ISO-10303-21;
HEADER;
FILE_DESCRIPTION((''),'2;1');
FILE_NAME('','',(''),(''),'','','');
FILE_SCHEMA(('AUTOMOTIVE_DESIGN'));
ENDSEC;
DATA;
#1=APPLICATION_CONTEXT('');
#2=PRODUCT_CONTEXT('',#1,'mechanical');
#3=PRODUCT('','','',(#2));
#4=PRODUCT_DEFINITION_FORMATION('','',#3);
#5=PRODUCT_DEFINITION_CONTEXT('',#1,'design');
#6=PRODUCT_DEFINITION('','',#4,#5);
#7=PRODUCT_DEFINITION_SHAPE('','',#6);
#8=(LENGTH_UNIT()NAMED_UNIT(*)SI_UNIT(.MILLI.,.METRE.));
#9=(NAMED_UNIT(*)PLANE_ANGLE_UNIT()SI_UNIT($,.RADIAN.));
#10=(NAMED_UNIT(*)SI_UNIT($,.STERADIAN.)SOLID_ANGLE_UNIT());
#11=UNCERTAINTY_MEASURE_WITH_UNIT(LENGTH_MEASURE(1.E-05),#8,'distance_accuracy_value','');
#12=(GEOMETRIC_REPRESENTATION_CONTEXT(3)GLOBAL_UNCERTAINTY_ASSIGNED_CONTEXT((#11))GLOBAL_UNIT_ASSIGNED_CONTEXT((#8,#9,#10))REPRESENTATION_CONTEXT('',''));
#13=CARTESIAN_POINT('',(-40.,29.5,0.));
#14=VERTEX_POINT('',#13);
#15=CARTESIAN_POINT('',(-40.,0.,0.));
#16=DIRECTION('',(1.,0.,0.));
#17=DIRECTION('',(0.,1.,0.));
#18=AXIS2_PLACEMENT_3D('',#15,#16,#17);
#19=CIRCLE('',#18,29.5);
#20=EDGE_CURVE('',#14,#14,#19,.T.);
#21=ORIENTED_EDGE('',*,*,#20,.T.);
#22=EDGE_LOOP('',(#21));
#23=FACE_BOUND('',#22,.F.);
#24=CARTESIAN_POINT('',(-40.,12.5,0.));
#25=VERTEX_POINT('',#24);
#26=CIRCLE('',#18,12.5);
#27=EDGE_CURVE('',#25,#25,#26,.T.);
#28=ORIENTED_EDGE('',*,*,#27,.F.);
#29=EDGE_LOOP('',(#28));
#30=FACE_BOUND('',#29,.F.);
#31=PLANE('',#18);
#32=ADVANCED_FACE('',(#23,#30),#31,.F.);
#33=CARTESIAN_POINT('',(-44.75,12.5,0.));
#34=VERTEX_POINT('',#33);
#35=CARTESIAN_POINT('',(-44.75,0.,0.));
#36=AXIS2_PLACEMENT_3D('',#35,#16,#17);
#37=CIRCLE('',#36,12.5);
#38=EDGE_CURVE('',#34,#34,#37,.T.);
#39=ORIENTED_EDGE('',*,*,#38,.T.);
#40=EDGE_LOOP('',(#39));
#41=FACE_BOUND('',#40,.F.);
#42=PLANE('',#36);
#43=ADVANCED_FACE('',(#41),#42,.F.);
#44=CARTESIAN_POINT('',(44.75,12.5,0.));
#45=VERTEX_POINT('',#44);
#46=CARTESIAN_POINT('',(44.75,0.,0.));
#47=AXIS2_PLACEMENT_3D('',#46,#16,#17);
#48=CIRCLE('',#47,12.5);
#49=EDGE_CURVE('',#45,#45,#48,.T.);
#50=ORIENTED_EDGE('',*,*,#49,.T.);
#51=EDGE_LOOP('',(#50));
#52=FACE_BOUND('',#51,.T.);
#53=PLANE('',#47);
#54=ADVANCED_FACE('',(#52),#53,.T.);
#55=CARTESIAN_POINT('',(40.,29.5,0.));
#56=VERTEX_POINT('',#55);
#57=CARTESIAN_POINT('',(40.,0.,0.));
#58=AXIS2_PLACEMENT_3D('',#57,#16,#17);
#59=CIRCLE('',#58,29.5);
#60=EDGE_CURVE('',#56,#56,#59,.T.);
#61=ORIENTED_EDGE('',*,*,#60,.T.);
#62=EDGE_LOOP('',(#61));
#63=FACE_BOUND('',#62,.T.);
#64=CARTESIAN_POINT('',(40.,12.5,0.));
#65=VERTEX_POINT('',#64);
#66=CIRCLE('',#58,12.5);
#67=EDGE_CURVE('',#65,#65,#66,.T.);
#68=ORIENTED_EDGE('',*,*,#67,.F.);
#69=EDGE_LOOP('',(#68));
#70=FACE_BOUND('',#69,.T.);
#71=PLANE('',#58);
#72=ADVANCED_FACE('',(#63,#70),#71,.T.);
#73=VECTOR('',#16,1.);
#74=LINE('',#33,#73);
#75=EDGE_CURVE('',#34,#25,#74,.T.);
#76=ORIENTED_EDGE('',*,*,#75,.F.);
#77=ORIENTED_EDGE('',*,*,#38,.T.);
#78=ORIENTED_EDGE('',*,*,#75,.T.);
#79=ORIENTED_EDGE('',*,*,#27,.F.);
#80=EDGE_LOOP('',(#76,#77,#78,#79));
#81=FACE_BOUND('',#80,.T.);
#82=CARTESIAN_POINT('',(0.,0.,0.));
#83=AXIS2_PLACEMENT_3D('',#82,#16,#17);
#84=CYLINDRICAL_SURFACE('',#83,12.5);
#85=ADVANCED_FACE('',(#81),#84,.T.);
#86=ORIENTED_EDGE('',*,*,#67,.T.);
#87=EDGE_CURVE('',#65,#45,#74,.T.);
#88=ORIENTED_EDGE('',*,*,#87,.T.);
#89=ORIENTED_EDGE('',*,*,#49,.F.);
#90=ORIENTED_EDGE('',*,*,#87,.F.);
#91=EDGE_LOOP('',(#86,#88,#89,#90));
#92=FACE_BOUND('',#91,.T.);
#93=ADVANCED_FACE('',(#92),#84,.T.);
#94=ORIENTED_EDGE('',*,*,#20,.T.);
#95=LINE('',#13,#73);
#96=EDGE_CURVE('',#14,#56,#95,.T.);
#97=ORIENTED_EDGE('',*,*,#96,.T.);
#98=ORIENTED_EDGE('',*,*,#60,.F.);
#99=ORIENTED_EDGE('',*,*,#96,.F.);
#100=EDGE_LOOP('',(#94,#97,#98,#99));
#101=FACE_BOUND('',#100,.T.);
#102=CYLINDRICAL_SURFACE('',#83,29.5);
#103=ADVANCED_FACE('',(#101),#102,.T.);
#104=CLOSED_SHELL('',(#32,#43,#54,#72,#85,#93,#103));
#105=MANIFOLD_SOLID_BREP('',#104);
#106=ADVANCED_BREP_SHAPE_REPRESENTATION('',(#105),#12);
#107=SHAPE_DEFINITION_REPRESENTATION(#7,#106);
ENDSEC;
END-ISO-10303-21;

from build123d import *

# Parameters (mm, degrees)
F0_R     = 29.5
F0_R_2   = 12.5
F1_DEPTH = 40
F2_DEPTH = 44.75


with BuildPart() as f1:
    # F0 (on Right) → F1 (new body, symmetric)
    with BuildSketch(Plane.YZ):
        Circle(F0_R)
        Circle(F0_R_2, mode=Mode.SUBTRACT)
    extrude(amount=F1_DEPTH, both=True)

    # F0 (on Right) → F2 (join, symmetric)
    with BuildSketch(Plane.YZ):
        Circle(F0_R_2)
    extrude(amount=F2_DEPTH, both=True)


solid = f1.part
